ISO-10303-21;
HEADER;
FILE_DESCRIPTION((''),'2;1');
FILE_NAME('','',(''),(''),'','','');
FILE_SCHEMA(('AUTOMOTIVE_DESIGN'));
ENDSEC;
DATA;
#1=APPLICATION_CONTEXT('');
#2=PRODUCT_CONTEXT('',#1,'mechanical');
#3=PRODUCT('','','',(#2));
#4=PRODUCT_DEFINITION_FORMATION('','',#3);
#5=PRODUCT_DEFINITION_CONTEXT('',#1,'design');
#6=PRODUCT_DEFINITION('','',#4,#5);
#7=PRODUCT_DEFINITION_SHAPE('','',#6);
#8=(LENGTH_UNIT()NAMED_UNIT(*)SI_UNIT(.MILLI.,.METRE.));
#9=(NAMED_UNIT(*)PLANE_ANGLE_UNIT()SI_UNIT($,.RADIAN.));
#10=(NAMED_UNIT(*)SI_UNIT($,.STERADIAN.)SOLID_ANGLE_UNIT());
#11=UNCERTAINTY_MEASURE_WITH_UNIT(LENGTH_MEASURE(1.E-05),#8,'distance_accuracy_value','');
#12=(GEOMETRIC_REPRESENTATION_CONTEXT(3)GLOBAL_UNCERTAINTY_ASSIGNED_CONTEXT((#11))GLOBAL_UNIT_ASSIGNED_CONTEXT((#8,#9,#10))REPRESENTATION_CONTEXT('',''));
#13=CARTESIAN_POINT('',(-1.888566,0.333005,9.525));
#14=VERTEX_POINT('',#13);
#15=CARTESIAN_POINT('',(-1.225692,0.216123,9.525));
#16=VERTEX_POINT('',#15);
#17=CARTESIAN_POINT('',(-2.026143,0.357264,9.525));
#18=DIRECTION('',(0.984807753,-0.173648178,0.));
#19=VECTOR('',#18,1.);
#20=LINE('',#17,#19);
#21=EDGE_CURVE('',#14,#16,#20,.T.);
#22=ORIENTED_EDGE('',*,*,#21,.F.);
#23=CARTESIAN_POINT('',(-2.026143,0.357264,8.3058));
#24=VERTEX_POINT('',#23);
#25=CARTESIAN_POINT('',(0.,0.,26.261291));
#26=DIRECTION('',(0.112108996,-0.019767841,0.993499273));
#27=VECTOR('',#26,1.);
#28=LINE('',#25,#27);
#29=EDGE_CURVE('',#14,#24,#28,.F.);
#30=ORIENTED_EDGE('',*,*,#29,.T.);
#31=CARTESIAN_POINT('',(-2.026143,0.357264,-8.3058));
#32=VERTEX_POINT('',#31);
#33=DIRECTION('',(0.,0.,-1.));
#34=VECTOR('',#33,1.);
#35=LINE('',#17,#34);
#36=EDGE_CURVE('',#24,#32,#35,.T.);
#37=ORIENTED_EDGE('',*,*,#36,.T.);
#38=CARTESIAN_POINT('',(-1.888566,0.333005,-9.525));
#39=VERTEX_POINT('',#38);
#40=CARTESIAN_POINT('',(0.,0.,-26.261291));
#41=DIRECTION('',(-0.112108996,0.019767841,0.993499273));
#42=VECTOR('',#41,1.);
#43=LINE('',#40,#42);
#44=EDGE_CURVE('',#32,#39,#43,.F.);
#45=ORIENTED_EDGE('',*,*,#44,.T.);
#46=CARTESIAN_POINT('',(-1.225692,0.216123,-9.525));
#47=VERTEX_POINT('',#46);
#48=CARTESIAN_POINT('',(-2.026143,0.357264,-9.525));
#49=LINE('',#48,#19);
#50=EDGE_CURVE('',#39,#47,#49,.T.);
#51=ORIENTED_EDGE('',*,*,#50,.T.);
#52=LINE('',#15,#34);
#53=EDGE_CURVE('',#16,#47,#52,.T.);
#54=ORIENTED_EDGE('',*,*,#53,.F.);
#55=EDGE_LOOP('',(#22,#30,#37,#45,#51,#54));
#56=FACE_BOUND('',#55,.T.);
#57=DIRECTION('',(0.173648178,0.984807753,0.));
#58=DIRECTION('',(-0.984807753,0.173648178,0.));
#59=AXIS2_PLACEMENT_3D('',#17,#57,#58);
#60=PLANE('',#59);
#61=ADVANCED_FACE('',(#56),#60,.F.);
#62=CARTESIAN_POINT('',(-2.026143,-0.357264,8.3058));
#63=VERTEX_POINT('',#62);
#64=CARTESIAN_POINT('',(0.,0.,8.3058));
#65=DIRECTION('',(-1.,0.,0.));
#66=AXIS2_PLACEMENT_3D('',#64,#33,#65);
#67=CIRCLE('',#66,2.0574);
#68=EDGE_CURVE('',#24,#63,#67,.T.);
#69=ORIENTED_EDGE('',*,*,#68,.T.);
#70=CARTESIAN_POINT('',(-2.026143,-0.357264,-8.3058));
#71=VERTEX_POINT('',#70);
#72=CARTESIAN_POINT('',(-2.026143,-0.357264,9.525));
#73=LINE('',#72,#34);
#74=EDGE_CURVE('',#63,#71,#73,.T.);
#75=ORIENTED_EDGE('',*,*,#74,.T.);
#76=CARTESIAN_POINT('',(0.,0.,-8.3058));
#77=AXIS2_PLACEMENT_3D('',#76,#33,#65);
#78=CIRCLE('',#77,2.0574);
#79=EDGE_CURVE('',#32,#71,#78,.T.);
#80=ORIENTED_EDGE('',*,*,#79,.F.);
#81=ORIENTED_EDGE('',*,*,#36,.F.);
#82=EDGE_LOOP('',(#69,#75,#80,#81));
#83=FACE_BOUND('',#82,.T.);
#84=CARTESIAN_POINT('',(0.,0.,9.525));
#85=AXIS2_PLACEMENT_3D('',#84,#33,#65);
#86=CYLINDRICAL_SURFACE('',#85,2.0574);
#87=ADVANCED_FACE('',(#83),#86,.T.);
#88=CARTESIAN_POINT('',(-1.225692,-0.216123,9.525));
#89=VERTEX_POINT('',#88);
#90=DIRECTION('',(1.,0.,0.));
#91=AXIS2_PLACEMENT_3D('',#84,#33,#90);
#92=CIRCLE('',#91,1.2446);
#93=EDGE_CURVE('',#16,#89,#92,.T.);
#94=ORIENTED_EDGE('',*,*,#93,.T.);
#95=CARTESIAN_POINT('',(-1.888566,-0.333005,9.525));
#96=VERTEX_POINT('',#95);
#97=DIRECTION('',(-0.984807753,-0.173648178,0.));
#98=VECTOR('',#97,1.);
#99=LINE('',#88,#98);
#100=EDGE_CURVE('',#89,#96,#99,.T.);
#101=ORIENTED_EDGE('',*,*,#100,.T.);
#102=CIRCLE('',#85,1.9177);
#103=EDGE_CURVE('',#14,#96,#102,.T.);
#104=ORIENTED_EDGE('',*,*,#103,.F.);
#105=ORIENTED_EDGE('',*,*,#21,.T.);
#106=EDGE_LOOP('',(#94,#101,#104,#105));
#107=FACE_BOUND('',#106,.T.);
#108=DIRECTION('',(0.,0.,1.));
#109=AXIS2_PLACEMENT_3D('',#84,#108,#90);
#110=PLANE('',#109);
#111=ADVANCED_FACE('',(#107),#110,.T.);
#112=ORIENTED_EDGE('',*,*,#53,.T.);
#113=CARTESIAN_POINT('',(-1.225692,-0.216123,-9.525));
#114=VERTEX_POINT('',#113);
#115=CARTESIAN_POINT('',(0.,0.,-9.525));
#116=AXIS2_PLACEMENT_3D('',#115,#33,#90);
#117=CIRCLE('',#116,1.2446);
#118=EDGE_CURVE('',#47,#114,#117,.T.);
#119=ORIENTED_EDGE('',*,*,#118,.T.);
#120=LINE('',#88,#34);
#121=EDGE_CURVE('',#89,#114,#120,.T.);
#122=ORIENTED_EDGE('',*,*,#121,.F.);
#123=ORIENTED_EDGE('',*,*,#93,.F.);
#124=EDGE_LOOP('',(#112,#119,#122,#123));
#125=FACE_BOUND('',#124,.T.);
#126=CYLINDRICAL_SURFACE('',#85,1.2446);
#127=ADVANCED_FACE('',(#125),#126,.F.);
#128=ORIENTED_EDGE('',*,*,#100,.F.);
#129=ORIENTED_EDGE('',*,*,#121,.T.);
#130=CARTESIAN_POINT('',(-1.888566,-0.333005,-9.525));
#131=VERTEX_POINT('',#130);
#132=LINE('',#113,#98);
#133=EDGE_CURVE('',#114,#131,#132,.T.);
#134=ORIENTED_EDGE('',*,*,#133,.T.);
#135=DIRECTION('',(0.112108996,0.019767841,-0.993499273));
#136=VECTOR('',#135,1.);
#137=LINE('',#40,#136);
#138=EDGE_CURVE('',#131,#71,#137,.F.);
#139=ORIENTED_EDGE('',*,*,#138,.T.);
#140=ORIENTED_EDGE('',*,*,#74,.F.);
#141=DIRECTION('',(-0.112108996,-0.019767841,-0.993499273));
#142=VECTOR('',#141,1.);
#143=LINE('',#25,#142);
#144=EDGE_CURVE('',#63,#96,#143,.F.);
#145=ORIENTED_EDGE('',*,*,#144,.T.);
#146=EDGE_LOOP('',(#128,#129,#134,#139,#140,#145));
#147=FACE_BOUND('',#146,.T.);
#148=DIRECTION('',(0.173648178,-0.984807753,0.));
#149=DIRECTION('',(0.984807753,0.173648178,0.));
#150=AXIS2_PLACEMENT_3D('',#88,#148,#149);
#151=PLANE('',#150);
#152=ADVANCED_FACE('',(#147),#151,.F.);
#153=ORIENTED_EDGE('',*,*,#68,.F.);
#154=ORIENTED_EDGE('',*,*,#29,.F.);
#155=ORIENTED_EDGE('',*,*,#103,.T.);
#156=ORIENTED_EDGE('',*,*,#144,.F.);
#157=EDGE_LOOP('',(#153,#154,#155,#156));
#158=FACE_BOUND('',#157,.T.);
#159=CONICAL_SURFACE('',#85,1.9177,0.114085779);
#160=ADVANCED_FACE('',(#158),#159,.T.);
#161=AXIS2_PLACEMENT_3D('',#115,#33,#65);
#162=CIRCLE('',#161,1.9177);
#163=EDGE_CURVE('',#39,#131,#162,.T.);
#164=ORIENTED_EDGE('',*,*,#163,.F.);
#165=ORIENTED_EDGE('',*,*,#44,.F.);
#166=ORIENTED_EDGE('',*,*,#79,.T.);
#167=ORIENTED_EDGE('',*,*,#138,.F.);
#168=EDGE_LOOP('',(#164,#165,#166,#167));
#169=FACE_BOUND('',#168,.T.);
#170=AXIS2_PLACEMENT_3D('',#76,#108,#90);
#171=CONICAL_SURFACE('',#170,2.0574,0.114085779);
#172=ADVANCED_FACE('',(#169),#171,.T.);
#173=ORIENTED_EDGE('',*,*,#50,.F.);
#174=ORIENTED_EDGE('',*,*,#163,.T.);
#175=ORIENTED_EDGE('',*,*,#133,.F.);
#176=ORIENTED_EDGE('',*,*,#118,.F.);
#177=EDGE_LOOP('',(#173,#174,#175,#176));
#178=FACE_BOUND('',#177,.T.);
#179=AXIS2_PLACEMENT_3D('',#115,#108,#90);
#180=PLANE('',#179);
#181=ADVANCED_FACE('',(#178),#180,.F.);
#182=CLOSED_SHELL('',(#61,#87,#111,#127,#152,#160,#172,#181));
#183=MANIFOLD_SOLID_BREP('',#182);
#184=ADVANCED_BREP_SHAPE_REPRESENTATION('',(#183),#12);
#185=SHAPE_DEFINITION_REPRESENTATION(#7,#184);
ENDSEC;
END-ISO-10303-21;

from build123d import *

# Parameters (mm, degrees)
EXTRUDE1_DEPTH = 9.525


with BuildPart() as part:
    # Sketch1 → Extrude1 (new body, symmetric)
    with BuildSketch(Plane.XY):
        with BuildLine():
            Line((-2.026143471, 0.357263761), (-1.225691729, 0.216122522))
            ThreePointArc((-1.225691729, 0.216122522), (1.2446, 0), (-1.225691729, -0.216122522))
            Line((-1.225691729, -0.216122522), (-2.026143471, -0.357263761))
            ThreePointArc((-2.026143471, -0.357263761), (2.0574, 0), (-2.026143471, 0.357263761))
        make_face()
    extrude(amount=EXTRUDE1_DEPTH, both=True)

    # Sketch2 → Cut-Revolve1 (revolve, cut)
    with BuildSketch(Plane(origin=(0, 0, 0), x_dir=(0, 0, -1), z_dir=(1, 0, 0))):
        Polygon((9.525, 2.0574), (9.525, 1.9177), (8.3058, 2.0574), align=None)
        Polygon((-8.3058, 2.0574), (-9.525, 2.0574), (-9.525, 1.9177), align=None)
    revolve(axis=Axis((0, 0, -9.525), (0, 0, 1)), mode=Mode.SUBTRACT)


solid = part.part
